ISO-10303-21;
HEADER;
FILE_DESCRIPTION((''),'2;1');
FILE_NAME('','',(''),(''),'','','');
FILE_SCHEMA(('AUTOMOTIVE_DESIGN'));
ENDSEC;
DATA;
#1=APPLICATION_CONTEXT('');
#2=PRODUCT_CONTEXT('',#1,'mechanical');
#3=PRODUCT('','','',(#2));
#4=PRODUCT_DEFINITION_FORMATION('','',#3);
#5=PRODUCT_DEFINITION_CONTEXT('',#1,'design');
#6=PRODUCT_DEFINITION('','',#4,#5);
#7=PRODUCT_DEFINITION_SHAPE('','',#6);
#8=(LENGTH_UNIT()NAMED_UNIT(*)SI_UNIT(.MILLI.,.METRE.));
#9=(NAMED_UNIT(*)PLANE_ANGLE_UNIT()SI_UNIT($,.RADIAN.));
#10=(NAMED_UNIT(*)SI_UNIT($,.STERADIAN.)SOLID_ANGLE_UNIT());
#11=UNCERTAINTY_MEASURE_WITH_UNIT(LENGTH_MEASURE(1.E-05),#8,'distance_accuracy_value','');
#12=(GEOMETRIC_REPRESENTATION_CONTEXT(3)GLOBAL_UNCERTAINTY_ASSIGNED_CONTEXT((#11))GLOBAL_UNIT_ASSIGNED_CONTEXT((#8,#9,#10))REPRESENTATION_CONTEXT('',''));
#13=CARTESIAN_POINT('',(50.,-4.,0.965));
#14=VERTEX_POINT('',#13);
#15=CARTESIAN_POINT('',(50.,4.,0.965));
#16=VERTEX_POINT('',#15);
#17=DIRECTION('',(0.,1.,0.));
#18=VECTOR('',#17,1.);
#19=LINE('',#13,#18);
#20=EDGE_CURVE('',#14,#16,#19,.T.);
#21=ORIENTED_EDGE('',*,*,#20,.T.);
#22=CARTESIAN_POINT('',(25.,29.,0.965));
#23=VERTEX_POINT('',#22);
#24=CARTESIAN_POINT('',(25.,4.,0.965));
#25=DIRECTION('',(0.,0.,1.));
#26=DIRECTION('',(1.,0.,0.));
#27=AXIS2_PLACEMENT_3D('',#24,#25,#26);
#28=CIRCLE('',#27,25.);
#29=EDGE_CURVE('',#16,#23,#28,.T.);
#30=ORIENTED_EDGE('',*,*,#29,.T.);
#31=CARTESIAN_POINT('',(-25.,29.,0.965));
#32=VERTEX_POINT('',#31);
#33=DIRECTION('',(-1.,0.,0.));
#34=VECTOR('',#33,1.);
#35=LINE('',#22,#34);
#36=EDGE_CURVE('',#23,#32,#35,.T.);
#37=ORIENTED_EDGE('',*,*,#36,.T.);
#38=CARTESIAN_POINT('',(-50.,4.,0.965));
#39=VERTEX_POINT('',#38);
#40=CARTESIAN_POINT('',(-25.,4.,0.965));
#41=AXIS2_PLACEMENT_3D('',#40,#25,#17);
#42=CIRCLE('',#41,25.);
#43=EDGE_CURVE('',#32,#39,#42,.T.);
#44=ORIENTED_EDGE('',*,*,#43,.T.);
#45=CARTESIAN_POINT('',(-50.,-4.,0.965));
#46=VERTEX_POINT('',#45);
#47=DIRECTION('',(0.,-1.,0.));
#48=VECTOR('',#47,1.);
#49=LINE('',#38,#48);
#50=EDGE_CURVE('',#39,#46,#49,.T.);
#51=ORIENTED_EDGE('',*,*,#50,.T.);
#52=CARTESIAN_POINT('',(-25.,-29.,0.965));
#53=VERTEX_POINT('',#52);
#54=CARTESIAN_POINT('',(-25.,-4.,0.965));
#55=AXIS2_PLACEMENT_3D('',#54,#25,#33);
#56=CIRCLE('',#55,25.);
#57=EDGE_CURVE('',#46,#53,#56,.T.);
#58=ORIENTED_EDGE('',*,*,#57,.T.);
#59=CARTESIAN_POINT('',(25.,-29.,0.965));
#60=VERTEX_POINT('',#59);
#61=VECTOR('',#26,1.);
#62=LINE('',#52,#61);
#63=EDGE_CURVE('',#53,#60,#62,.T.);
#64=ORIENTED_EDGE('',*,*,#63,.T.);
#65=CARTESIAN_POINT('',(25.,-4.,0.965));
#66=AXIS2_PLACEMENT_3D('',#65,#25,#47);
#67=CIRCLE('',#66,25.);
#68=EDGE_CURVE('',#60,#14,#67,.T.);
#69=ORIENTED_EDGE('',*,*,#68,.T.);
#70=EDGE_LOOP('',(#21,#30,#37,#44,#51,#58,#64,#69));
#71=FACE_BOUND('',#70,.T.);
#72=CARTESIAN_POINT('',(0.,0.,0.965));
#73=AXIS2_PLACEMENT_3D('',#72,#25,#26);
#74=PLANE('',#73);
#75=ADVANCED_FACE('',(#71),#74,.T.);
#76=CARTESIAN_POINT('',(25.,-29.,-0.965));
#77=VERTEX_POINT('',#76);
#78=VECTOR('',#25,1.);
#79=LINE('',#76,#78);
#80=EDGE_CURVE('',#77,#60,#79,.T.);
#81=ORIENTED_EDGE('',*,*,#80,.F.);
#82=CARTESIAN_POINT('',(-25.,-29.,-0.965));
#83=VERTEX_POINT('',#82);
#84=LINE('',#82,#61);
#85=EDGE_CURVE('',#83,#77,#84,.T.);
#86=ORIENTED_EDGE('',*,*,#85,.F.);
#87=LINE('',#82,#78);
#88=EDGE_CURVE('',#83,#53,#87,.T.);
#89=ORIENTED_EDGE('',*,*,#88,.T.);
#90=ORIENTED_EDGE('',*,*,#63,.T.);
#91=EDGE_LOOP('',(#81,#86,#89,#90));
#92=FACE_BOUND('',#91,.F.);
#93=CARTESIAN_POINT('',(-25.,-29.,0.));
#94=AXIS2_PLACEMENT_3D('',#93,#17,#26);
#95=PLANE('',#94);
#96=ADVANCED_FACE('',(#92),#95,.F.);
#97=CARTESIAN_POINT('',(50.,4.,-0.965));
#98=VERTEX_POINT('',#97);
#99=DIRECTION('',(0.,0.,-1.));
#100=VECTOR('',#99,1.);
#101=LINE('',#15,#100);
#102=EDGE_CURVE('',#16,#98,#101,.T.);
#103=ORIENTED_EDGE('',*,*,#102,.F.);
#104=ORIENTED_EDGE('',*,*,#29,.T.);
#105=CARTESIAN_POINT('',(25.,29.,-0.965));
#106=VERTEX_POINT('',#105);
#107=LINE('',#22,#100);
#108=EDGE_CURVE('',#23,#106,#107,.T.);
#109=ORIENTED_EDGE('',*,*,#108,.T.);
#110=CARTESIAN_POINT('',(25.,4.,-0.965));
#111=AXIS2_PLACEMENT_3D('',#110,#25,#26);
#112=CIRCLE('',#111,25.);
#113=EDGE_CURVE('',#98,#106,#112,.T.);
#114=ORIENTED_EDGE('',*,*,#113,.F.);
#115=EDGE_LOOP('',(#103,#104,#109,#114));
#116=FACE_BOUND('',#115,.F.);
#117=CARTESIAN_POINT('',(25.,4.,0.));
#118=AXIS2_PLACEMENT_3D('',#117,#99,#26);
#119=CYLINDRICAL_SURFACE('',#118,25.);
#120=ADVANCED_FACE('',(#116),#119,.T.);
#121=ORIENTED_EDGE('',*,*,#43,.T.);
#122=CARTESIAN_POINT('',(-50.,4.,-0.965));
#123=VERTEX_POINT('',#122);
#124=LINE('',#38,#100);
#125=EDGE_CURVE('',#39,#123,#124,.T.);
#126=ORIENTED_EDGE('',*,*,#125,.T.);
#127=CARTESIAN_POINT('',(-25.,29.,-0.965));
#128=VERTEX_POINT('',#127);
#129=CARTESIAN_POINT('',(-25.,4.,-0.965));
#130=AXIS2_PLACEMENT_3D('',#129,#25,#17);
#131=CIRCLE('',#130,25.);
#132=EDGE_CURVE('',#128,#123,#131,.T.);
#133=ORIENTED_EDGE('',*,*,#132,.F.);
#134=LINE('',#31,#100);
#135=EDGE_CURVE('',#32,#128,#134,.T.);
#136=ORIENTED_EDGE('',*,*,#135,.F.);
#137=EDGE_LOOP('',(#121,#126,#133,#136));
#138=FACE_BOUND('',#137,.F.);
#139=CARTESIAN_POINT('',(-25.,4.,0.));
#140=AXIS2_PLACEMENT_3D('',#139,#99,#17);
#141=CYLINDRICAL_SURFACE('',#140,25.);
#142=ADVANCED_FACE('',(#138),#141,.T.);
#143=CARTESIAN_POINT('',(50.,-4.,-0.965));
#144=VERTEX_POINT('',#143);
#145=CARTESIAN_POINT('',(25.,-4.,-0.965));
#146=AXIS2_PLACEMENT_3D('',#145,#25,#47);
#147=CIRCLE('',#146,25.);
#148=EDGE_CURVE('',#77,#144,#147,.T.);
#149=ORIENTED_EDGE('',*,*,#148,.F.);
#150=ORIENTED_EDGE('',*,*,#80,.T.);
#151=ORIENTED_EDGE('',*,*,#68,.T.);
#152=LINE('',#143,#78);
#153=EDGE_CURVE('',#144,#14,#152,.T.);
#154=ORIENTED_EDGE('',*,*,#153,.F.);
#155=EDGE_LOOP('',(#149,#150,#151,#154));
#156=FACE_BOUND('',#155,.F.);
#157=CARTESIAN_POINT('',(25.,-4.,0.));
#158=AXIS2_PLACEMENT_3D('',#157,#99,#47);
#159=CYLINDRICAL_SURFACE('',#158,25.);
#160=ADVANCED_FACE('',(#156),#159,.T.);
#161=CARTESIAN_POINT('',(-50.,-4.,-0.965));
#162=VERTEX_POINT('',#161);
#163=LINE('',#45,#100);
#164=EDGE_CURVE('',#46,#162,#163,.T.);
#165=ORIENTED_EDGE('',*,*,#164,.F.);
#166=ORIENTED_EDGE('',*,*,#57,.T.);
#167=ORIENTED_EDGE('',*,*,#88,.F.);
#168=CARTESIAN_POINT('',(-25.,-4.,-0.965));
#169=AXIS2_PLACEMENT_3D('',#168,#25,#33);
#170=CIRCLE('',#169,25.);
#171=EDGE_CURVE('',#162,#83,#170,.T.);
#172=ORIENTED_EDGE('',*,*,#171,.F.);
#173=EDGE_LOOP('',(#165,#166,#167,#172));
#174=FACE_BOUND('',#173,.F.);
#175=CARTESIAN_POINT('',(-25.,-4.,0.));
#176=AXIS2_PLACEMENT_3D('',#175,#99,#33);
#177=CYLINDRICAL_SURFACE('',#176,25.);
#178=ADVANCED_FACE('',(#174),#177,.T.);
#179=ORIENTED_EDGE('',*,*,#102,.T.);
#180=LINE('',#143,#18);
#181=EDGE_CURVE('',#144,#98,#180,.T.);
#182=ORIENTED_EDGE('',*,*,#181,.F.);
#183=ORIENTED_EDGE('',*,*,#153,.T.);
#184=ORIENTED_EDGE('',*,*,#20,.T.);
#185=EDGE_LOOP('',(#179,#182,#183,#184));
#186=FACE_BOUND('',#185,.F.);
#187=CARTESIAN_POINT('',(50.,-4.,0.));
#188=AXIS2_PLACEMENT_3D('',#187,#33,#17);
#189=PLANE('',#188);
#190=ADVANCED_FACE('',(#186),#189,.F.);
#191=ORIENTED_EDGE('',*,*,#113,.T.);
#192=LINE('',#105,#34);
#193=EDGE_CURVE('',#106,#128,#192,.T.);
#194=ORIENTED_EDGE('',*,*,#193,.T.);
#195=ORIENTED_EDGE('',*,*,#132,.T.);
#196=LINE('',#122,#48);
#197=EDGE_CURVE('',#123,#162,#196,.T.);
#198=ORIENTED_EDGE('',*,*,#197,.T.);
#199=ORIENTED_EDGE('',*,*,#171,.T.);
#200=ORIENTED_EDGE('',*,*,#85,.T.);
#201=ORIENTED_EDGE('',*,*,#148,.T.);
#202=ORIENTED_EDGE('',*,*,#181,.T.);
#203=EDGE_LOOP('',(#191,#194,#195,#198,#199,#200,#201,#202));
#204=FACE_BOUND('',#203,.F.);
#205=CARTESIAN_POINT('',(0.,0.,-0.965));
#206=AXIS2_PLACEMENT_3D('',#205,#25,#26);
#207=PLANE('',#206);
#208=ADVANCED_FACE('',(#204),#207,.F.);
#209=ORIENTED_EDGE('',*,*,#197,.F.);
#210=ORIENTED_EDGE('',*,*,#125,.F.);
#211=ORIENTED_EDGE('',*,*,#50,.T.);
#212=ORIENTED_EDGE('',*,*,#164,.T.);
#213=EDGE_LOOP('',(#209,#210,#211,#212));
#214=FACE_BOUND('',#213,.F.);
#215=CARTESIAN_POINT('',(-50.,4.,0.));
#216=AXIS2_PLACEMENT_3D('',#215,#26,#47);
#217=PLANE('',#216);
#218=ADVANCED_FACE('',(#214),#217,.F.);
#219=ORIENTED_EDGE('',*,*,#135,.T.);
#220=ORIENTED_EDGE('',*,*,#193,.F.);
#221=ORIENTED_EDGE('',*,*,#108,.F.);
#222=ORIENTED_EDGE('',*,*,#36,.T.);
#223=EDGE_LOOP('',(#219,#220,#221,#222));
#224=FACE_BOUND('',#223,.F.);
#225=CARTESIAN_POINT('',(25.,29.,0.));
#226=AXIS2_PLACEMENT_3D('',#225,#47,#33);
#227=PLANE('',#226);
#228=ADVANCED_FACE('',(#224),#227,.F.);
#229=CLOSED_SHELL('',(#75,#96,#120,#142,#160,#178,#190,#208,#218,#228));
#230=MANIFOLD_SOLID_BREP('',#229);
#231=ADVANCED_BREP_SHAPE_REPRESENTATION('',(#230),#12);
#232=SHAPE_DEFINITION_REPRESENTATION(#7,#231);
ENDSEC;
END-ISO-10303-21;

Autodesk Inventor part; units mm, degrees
ref_plane "YZ Plane" through (0, 0, 0) normal (1, 0, 0) x (0, 1, 0)
ref_plane "XZ Plane" through (0, 0, 0) normal (0, 1, 0) x (-1, 0, 0)
ref_plane "XY Plane" through (0, 0, 0) normal (0, 0, 1) x (1, 0, 0)
sketch "Sketch1" plane through (0, 0, 0) normal (0, 0, 1) x (1, 0, 0)
  line L0 (-25, -29) -> (25, -29)
  line L1 (50, -4) -> (50, 4)
  line L2 (25, 29) -> (-25, 29)
  line L3 (-50, 4) -> (-50, -4)
  line L4 (-50, -29) -> (50, 29) construction
  line L5 (50, -29) -> (-50, 29) construction
  arc A0 (50, 4) -> (25, 29) centre (25, 4) ccw
  arc A1 (25, -29) -> (50, -4) centre (25, -4) ccw
  arc A2 (-50, -4) -> (-25, -29) centre (-25, -4) ccw
  arc A3 (-25, 29) -> (-50, 4) centre (-25, 4) ccw
  point P0 (0, 0)
  dimension "d0" = 100
  dimension "d1" = 58
  dimension "d2" = 25
extrude "Extrusion1" add sketch "Sketch1" along normal mid plane 1.93
properties part number "Game_Colonies"
